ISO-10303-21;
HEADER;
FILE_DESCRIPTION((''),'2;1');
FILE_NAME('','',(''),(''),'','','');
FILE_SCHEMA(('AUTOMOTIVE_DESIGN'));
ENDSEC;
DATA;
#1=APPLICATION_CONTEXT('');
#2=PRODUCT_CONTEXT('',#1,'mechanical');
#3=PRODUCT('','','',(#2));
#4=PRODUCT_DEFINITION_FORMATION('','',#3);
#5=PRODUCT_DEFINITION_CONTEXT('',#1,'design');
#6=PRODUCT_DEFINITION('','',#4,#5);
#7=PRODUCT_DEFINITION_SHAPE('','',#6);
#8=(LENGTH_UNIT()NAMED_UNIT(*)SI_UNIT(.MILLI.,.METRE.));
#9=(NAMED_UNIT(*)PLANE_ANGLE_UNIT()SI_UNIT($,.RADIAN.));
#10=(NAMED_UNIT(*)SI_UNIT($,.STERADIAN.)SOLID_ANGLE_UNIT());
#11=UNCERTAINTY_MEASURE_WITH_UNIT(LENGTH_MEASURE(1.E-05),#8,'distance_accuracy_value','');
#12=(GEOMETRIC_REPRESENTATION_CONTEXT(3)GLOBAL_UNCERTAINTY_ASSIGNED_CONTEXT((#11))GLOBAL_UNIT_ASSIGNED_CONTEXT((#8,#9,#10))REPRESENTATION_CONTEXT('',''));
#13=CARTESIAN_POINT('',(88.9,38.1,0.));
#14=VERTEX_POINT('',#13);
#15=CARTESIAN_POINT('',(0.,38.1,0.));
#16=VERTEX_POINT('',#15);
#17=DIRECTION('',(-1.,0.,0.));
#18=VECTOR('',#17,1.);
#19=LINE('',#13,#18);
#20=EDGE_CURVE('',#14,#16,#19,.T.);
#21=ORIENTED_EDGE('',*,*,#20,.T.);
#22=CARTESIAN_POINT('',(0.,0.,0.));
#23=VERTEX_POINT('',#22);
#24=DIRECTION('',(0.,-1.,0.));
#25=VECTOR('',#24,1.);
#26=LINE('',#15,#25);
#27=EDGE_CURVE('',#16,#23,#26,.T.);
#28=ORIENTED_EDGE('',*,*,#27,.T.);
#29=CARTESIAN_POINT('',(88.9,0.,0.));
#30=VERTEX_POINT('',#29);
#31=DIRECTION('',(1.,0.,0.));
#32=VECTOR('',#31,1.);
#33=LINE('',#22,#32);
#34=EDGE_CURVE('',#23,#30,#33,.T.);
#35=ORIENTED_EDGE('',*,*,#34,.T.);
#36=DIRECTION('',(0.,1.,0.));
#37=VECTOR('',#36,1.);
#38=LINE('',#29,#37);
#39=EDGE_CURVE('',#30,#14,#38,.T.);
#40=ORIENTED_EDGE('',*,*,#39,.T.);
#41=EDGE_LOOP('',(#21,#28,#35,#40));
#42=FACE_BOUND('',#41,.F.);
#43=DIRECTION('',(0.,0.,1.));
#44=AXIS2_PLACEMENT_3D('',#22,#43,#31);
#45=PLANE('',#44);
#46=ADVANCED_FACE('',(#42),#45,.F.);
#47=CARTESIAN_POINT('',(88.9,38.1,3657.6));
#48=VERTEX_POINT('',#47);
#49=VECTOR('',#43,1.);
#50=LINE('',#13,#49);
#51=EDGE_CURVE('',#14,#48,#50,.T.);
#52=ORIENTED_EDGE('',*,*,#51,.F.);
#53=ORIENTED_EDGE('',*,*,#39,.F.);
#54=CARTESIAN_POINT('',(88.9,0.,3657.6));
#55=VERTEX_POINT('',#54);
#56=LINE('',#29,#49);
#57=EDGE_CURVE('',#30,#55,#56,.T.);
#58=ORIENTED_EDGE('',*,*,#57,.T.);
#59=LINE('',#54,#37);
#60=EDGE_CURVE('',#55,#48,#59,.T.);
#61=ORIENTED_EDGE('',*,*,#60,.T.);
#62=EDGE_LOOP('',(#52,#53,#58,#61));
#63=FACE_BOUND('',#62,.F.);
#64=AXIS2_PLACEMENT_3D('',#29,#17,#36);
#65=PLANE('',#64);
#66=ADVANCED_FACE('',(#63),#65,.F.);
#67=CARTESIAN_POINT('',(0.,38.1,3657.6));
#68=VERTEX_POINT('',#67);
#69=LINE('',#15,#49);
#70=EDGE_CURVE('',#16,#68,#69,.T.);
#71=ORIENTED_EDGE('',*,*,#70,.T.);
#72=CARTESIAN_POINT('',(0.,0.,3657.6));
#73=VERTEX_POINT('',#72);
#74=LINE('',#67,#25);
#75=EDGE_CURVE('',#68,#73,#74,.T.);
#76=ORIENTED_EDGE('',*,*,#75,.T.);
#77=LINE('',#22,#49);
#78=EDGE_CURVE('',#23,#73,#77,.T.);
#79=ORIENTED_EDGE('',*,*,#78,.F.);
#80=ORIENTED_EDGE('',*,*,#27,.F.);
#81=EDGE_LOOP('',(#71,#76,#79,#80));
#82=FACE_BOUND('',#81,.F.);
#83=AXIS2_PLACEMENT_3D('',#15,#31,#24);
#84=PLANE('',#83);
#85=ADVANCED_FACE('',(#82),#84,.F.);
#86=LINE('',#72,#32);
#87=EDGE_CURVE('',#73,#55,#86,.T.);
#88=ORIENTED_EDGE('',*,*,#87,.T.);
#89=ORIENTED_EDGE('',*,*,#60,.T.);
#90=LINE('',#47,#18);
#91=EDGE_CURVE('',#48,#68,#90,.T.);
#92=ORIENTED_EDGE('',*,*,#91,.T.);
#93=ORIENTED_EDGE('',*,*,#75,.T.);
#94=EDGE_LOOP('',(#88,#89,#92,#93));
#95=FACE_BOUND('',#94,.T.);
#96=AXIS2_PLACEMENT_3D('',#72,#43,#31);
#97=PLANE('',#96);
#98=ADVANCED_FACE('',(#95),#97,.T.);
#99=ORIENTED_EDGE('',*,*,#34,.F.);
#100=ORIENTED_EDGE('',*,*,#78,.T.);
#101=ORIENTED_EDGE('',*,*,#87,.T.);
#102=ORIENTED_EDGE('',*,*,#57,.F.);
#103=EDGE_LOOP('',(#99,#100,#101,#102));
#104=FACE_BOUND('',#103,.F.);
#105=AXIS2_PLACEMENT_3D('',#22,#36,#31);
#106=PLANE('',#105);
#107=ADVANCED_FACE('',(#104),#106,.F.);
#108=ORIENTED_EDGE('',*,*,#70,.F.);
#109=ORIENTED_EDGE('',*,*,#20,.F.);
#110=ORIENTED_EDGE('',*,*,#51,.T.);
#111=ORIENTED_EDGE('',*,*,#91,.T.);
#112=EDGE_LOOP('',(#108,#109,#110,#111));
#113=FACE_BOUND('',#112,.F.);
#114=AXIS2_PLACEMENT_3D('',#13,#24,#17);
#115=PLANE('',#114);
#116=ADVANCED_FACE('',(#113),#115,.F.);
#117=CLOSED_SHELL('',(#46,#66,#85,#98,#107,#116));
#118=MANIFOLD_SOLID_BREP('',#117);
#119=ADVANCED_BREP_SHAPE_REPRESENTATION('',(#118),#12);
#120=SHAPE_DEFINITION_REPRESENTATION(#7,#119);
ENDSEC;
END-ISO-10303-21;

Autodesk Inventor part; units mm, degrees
ref_plane "YZ Plane" through (0, 0, 0) normal (1, 0, 0) x (0, 1, 0)
ref_plane "XZ Plane" through (0, 0, 0) normal (0, 1, 0) x (-1, 0, 0)
ref_plane "XY Plane" through (0, 0, 0) normal (0, 0, 1) x (1, 0, 0)
sketch "Sketch1" plane through (0, 0, 0) normal (0, 0, 1) x (1, 0, 0)
  line L0 (0, 0) -> (88.9, 0)
  line L1 (88.9, 0) -> (88.9, 38.1)
  line L2 (88.9, 38.1) -> (0, 38.1)
  line L3 (0, 38.1) -> (0, 0)
  dimension "d0" = 88.9
  dimension "d1" = 38.1
extrude "Extrusion1" add sketch "Sketch1" along normal blind 3657.6
properties part number "Bottom_Plate_With_Length_144_Inches" material "Wood (Birch)"
